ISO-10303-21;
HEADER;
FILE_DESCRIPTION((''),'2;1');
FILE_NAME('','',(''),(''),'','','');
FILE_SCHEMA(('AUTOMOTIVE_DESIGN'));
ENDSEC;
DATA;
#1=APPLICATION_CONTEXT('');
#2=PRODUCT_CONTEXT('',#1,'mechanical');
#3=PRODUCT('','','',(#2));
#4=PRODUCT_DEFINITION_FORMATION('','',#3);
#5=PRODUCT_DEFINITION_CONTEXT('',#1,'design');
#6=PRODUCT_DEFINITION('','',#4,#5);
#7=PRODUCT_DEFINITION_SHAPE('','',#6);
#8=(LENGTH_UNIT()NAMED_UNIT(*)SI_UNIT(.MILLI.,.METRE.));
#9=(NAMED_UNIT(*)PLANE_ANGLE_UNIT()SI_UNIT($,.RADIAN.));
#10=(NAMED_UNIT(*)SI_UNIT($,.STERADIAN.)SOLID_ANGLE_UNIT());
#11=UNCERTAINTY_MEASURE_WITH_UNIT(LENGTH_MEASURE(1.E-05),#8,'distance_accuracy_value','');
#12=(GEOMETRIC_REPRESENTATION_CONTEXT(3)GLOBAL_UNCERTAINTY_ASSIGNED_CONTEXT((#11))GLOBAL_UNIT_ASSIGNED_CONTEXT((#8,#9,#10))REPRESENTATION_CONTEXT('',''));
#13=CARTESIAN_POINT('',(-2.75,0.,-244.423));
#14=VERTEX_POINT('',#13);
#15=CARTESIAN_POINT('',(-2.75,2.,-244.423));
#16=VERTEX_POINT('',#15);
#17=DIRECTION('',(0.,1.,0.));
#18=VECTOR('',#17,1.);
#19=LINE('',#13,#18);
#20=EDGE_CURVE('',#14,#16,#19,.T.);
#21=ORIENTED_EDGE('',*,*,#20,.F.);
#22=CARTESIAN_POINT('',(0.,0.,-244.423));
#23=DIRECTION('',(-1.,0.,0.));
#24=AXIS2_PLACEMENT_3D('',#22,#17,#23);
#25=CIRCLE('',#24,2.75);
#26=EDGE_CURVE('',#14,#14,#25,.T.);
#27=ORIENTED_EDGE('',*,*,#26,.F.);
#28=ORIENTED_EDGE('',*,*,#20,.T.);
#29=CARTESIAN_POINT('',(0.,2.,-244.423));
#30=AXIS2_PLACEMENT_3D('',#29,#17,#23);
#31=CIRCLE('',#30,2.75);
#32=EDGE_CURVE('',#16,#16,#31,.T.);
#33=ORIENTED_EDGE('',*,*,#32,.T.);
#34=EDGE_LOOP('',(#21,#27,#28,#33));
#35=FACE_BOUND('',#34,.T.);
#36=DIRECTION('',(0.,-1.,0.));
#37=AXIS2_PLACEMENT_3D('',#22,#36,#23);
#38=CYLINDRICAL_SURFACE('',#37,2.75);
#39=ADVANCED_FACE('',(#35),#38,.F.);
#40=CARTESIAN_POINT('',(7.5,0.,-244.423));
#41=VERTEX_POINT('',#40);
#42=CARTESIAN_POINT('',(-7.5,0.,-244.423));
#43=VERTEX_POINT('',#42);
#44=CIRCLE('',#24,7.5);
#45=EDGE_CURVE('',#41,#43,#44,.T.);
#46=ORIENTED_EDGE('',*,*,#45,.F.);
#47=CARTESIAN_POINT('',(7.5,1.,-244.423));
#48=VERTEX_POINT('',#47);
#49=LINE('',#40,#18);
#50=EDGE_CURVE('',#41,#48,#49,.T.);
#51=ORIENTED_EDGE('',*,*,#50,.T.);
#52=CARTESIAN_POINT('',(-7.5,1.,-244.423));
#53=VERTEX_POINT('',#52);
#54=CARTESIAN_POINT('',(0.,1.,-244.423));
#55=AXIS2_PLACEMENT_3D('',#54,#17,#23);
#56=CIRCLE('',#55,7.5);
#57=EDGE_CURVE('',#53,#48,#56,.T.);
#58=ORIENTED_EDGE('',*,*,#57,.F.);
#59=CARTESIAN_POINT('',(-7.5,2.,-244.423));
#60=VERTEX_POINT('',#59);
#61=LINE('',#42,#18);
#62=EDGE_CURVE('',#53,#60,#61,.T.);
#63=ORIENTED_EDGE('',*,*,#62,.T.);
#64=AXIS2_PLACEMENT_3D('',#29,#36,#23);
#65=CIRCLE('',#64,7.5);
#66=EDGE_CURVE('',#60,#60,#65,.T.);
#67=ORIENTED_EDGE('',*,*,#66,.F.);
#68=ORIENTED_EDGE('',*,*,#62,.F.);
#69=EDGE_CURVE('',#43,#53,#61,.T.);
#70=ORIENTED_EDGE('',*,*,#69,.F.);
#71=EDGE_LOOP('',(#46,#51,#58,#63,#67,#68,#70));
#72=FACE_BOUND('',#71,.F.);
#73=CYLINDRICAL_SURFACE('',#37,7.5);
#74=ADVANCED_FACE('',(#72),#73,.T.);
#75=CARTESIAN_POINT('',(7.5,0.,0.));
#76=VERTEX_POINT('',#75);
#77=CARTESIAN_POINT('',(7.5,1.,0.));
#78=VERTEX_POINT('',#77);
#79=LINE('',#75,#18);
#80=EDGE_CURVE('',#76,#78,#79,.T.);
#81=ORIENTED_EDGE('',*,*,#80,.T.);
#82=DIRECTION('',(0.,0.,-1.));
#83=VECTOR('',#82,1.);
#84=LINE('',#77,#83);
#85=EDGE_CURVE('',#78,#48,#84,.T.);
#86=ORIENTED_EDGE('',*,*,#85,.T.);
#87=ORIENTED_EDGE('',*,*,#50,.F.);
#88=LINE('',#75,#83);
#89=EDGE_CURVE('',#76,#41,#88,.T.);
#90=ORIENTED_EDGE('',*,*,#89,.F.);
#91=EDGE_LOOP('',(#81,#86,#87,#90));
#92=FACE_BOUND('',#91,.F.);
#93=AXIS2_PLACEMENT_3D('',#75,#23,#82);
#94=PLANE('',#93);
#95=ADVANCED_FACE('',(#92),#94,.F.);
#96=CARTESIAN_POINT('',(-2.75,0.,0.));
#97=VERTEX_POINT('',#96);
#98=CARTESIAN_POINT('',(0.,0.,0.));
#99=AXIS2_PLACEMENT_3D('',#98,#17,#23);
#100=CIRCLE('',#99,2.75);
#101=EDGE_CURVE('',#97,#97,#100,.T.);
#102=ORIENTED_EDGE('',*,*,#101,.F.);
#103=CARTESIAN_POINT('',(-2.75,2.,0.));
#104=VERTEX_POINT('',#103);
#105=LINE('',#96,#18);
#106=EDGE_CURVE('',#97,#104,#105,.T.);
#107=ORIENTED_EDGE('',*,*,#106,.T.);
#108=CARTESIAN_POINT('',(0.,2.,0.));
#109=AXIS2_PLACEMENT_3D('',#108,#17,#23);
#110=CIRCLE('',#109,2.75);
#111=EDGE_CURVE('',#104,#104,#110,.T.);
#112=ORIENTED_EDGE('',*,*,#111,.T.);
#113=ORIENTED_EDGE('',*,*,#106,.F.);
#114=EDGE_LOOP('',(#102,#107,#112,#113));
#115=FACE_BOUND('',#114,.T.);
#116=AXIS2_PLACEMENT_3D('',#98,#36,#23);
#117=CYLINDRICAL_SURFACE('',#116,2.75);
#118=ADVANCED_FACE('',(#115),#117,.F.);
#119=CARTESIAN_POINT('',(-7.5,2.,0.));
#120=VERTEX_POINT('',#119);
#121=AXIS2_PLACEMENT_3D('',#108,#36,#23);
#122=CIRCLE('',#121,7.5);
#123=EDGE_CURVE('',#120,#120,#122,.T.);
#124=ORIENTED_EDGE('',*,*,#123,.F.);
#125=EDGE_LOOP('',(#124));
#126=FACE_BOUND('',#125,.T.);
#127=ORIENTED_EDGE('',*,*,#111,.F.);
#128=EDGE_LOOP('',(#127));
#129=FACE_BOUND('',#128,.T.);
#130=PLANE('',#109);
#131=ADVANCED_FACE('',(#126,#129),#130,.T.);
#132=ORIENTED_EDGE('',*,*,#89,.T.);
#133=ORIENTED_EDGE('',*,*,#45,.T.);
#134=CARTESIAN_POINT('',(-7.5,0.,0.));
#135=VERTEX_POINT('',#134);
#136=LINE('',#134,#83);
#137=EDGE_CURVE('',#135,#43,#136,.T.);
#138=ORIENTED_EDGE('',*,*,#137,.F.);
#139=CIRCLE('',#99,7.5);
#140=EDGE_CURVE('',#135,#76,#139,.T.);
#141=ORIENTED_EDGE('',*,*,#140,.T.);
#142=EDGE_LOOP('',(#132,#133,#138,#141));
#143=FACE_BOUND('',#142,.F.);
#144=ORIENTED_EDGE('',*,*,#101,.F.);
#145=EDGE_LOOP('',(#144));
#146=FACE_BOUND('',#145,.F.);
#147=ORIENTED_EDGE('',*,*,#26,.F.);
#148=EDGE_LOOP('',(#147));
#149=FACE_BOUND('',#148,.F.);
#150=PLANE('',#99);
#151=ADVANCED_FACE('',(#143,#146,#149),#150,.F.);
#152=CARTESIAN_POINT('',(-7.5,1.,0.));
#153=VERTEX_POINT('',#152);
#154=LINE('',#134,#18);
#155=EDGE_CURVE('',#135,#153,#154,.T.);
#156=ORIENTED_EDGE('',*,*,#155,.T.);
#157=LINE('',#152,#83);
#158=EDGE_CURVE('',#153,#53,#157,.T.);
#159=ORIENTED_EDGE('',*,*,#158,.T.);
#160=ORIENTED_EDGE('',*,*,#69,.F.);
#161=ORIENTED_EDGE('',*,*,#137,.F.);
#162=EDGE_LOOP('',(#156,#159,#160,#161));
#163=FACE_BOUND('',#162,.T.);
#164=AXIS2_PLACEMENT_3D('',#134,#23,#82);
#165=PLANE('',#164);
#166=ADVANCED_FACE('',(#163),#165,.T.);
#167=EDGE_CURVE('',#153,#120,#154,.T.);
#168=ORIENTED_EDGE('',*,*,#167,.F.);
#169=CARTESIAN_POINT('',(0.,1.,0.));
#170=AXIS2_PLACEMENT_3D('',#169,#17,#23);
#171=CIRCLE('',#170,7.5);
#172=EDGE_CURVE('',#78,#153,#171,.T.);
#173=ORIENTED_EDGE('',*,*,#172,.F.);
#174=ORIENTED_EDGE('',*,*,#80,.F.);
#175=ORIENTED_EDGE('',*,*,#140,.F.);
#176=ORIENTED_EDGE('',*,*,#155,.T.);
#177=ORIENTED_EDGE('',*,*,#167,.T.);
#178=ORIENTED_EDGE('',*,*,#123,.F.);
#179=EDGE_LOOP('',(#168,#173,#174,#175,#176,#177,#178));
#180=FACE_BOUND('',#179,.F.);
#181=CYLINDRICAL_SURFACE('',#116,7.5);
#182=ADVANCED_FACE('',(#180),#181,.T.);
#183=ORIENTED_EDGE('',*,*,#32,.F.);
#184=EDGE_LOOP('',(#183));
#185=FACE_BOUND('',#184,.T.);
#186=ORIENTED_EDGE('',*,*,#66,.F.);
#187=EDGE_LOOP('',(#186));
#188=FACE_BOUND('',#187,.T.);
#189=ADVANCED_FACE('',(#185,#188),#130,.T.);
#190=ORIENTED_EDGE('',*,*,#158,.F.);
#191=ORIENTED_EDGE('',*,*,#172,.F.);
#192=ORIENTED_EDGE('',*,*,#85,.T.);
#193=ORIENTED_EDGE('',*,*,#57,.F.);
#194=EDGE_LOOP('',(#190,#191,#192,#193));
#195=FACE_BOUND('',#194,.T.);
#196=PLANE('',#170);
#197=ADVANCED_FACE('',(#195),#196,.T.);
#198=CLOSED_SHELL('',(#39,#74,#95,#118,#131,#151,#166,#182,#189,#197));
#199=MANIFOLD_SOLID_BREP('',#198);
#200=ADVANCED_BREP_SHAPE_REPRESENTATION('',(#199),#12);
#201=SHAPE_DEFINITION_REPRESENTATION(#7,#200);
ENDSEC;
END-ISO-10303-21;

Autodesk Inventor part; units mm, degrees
ref_plane "YZ Plane" through (0, 0, 0) normal (1, 0, 0) x (0, 1, 0)
ref_plane "XZ Plane" through (0, 0, 0) normal (0, 1, 0) x (-1, 0, 0)
ref_plane "XY Plane" through (0, 0, 0) normal (0, 0, 1) x (1, 0, 0)
sketch "Sketch1" plane through (0, 0, 0) normal (0, 1, 0) x (-1, 0, 0)
  circle A0 centre (0, 0) radius 2.75
  circle A1 centre (0, 0) radius 7.5
  circle A2 centre (0, -244.423) radius 2.75
  circle A3 centre (0, -244.423) radius 7.5
  line L0 (0, 7.5) -> (0, -251.923) construction
  line L1 (7.5, 0) -> (7.5, -244.423)
  line L2 (-7.5, 0) -> (-7.5, -244.423)
  dimension "d0" = 5.5
  dimension "d1" = 15
  dimension "d14" = 5.5
  dimension "d15" = 15
  dimension "d20" = 259.423
extrude "Extrusion4" add sketch "Sketch1" along normal blind 1 contours L1 A3 L2 A1
extrude "Extrusion5" add sketch "Sketch1" along normal blind 2 contours A1 | A3
properties part number "kozepso szalag2"
